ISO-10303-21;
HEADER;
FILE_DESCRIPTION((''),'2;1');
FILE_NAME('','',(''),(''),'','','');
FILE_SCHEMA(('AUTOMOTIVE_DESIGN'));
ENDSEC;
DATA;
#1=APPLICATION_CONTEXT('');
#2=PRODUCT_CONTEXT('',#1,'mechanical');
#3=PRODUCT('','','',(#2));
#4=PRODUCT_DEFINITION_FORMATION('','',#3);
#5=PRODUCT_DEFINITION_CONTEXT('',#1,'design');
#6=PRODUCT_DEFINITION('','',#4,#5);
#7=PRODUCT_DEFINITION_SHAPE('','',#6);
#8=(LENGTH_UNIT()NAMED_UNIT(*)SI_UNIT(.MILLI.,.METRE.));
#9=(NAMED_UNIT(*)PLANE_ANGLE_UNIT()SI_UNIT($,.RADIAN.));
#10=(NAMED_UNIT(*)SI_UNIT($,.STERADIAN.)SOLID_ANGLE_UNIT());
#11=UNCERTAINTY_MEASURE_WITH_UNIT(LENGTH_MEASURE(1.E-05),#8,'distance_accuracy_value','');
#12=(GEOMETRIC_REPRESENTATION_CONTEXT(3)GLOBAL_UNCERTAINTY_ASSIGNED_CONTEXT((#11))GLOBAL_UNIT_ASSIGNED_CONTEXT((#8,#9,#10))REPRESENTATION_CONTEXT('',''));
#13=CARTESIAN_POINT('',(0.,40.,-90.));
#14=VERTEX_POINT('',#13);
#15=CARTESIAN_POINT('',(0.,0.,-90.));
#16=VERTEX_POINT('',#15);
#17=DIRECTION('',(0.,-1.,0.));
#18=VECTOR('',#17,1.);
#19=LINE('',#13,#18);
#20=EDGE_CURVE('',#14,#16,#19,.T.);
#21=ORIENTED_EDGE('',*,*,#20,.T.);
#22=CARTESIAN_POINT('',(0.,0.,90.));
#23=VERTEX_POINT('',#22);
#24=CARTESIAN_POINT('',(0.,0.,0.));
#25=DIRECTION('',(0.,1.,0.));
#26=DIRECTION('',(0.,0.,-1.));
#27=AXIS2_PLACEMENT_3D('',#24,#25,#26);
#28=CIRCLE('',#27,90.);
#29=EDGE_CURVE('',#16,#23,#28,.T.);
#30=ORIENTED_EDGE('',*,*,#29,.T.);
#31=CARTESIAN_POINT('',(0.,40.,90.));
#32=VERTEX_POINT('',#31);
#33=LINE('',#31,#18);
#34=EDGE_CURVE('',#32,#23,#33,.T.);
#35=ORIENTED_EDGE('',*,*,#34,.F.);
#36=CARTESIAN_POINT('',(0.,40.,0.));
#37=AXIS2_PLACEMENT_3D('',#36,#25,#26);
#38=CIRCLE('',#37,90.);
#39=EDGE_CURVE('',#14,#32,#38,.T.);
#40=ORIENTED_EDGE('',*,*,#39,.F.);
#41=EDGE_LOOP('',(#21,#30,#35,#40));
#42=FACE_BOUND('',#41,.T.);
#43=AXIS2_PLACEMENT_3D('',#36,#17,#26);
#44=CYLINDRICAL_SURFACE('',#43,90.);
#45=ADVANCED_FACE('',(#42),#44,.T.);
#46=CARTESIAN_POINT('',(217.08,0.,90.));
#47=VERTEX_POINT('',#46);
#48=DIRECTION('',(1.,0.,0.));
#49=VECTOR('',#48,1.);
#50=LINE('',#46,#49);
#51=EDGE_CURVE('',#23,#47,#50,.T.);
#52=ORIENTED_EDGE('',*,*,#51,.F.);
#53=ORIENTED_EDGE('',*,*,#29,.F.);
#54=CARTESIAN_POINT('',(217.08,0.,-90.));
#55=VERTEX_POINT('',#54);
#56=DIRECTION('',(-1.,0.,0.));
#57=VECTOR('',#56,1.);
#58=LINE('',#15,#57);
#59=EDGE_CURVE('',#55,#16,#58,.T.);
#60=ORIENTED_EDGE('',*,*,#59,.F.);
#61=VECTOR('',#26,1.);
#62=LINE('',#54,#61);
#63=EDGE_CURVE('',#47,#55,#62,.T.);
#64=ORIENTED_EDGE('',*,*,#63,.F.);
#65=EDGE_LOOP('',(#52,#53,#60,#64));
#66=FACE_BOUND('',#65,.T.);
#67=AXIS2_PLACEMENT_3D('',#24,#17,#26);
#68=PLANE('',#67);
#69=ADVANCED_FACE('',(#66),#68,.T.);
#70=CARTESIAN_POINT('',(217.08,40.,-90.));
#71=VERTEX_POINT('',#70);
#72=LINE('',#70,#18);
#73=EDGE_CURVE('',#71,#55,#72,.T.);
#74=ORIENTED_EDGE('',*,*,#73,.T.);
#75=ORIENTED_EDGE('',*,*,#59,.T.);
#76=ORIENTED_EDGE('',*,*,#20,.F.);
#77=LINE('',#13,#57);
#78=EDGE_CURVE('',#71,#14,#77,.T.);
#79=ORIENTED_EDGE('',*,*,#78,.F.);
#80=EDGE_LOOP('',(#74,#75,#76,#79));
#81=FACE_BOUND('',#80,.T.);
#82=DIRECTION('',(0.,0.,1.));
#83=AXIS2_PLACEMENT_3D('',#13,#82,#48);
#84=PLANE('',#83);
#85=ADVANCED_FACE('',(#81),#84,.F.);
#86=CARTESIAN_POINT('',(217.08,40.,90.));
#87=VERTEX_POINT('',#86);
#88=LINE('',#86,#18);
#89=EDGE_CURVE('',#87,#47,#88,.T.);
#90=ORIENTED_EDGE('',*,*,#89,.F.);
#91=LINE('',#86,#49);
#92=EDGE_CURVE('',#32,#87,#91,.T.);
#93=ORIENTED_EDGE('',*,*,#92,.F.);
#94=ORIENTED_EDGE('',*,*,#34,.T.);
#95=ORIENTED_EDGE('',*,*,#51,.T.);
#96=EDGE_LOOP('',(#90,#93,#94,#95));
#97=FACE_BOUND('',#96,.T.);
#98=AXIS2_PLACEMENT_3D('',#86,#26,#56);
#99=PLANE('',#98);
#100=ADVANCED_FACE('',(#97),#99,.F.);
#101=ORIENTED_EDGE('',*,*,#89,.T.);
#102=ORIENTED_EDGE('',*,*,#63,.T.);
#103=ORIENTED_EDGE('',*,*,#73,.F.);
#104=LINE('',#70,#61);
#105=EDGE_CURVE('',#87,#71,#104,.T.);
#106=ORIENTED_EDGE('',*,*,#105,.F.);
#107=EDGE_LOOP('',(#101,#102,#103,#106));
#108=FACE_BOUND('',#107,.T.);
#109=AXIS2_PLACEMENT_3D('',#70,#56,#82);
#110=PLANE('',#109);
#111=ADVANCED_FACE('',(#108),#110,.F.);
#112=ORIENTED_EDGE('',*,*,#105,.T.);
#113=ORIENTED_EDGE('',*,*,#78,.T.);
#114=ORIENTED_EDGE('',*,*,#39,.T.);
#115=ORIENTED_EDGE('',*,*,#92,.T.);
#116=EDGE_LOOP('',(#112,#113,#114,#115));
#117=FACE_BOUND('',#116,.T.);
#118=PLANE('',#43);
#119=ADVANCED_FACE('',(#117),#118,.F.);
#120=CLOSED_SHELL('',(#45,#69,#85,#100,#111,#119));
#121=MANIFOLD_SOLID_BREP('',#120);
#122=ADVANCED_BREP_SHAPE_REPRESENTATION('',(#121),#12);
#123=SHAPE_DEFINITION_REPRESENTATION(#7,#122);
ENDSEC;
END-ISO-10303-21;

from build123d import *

# Parameters (mm, degrees)
BOSS_EXTRUDE1_DEPTH = 40


with BuildPart() as part:
    # Sketch1 → Boss-Extrude1 (new body)
    with BuildSketch(Plane(origin=(0, 0, 0), x_dir=(1, 0, 0), z_dir=(0, 1, 0))):
        with BuildLine():
            Line((0, 90), (217.08, 90))
            Line((217.08, 90), (217.08, -90))
            Line((217.08, -90), (0, -90))
            ThreePointArc((0, -90), (-90, 0), (0, 90))
        make_face()
    extrude(amount=BOSS_EXTRUDE1_DEPTH)


solid = part.part
